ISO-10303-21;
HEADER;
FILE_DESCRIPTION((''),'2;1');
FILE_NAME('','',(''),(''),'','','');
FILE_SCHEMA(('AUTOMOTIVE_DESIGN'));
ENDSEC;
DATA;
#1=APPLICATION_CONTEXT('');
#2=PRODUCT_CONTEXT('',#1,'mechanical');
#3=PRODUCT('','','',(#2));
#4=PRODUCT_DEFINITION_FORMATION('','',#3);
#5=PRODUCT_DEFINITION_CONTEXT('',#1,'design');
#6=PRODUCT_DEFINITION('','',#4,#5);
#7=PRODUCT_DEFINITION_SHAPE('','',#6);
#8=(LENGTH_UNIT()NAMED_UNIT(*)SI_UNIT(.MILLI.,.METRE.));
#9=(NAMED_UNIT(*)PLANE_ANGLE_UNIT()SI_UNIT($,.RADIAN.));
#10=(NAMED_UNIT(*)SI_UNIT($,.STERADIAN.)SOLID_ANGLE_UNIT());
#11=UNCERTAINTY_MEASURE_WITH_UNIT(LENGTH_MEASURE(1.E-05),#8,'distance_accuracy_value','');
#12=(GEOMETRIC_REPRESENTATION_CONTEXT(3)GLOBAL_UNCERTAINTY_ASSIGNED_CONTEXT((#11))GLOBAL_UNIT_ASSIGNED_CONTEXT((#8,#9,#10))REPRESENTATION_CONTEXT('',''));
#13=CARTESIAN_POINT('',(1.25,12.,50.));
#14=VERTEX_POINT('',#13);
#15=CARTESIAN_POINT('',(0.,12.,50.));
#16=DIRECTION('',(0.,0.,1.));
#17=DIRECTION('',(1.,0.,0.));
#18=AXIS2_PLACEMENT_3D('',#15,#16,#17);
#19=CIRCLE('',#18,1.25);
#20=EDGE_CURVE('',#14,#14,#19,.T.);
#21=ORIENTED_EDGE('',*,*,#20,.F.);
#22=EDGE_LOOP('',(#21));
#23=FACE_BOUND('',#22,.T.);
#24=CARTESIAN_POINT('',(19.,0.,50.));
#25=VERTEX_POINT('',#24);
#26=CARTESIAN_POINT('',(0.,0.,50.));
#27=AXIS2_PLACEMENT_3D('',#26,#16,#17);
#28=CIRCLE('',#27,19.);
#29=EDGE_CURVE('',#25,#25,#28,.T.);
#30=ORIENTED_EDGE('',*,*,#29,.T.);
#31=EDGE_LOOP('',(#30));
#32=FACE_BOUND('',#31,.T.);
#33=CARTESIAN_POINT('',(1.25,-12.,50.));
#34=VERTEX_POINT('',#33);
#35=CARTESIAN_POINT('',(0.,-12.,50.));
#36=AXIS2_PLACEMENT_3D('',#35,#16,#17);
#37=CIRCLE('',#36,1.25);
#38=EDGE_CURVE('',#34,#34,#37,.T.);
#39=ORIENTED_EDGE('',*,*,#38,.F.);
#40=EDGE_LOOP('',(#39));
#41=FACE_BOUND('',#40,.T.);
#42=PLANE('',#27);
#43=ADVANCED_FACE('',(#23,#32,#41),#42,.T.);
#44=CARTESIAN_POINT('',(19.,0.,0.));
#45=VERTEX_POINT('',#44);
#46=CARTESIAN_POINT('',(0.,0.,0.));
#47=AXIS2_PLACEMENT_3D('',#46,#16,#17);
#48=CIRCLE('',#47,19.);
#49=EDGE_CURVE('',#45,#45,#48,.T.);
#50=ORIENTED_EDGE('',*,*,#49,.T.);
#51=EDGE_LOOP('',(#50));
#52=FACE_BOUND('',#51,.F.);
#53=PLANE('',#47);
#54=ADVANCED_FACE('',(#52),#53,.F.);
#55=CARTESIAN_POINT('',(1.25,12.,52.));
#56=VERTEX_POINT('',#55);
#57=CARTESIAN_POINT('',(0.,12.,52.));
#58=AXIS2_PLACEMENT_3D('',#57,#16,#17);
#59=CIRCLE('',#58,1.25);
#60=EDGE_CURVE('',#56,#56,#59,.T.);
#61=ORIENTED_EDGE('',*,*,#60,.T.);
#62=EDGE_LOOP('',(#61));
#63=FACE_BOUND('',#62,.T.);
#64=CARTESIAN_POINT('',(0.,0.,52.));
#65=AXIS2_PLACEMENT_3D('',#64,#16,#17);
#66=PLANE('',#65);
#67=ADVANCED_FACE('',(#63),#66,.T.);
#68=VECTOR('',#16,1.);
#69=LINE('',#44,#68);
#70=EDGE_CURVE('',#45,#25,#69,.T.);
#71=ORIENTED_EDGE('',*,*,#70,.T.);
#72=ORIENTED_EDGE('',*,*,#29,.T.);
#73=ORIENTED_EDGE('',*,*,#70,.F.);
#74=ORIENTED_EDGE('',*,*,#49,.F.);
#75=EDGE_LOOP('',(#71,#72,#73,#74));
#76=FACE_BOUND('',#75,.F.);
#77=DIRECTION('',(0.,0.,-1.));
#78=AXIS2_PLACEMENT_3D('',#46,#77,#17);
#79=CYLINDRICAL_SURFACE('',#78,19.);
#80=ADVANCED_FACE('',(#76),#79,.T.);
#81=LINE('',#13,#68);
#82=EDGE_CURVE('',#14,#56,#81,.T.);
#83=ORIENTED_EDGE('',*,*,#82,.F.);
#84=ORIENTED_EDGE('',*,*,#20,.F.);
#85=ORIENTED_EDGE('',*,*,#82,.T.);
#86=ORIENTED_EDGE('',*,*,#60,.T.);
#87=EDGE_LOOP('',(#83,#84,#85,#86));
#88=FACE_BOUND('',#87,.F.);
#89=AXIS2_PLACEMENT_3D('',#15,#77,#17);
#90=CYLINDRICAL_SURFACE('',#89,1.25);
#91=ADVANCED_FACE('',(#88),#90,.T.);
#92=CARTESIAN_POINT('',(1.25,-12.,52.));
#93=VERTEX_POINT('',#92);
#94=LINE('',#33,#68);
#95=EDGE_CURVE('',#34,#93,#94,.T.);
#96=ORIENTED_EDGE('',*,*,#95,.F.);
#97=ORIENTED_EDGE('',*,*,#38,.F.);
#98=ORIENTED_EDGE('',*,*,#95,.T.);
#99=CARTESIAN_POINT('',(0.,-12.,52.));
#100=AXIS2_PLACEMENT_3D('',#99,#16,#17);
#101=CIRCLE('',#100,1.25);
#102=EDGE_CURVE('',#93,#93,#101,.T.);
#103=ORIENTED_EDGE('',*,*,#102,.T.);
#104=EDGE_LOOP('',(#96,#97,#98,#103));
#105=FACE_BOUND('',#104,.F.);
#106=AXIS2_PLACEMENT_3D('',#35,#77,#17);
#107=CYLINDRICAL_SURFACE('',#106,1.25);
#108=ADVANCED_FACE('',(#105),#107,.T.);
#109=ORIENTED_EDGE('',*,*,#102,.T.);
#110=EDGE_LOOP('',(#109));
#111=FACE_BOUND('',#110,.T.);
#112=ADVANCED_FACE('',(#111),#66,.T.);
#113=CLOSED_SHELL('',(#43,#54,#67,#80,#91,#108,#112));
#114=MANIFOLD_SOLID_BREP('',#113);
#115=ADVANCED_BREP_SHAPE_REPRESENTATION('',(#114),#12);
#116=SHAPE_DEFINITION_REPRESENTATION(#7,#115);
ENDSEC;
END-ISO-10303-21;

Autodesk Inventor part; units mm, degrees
ref_plane "YZ Plane" through (0, 0, 0) normal (1, 0, 0) x (0, 1, 0)
ref_plane "XZ Plane" through (0, 0, 0) normal (0, 1, 0) x (-1, 0, 0)
ref_plane "XY Plane" through (0, 0, 0) normal (0, 0, 1) x (1, 0, 0)
sketch "Sketch1" plane through (0, 0, 0) normal (0, 0, 1) x (1, 0, 0)
  circle A0 centre (0, 0) radius 19
  dimension "d1" = 38
extrude "Extrusion1" add sketch "Sketch1" along normal blind 50
sketch "Sketch2" plane through (0, 0, 50) normal (0, 0, 1) x (1, 0, 0)
  circle A0 centre (0, 12) radius 1.25
  circle A1 centre (0, -12) radius 1.25
  point P0 (0, 0)
  dimension "d4" = 12
  dimension "d5" = 12
  dimension "d6" = 2.5
  dimension "d7" = 2.5
extrude "Extrusion2" add sketch "Sketch2" along normal blind 2 contours A0
sketch "Sketch3" plane through (0, 0, 50) normal (0, 0, 1) x (1, 0, 0)
  circle A0 centre (0, -12) radius 1.25
  point P0 (0, 0)
  dimension "d10" = 12
  dimension "d11" = 2.5
extrude "Extrusion3" add sketch "Sketch3" along normal blind 2
properties part number "motor"
